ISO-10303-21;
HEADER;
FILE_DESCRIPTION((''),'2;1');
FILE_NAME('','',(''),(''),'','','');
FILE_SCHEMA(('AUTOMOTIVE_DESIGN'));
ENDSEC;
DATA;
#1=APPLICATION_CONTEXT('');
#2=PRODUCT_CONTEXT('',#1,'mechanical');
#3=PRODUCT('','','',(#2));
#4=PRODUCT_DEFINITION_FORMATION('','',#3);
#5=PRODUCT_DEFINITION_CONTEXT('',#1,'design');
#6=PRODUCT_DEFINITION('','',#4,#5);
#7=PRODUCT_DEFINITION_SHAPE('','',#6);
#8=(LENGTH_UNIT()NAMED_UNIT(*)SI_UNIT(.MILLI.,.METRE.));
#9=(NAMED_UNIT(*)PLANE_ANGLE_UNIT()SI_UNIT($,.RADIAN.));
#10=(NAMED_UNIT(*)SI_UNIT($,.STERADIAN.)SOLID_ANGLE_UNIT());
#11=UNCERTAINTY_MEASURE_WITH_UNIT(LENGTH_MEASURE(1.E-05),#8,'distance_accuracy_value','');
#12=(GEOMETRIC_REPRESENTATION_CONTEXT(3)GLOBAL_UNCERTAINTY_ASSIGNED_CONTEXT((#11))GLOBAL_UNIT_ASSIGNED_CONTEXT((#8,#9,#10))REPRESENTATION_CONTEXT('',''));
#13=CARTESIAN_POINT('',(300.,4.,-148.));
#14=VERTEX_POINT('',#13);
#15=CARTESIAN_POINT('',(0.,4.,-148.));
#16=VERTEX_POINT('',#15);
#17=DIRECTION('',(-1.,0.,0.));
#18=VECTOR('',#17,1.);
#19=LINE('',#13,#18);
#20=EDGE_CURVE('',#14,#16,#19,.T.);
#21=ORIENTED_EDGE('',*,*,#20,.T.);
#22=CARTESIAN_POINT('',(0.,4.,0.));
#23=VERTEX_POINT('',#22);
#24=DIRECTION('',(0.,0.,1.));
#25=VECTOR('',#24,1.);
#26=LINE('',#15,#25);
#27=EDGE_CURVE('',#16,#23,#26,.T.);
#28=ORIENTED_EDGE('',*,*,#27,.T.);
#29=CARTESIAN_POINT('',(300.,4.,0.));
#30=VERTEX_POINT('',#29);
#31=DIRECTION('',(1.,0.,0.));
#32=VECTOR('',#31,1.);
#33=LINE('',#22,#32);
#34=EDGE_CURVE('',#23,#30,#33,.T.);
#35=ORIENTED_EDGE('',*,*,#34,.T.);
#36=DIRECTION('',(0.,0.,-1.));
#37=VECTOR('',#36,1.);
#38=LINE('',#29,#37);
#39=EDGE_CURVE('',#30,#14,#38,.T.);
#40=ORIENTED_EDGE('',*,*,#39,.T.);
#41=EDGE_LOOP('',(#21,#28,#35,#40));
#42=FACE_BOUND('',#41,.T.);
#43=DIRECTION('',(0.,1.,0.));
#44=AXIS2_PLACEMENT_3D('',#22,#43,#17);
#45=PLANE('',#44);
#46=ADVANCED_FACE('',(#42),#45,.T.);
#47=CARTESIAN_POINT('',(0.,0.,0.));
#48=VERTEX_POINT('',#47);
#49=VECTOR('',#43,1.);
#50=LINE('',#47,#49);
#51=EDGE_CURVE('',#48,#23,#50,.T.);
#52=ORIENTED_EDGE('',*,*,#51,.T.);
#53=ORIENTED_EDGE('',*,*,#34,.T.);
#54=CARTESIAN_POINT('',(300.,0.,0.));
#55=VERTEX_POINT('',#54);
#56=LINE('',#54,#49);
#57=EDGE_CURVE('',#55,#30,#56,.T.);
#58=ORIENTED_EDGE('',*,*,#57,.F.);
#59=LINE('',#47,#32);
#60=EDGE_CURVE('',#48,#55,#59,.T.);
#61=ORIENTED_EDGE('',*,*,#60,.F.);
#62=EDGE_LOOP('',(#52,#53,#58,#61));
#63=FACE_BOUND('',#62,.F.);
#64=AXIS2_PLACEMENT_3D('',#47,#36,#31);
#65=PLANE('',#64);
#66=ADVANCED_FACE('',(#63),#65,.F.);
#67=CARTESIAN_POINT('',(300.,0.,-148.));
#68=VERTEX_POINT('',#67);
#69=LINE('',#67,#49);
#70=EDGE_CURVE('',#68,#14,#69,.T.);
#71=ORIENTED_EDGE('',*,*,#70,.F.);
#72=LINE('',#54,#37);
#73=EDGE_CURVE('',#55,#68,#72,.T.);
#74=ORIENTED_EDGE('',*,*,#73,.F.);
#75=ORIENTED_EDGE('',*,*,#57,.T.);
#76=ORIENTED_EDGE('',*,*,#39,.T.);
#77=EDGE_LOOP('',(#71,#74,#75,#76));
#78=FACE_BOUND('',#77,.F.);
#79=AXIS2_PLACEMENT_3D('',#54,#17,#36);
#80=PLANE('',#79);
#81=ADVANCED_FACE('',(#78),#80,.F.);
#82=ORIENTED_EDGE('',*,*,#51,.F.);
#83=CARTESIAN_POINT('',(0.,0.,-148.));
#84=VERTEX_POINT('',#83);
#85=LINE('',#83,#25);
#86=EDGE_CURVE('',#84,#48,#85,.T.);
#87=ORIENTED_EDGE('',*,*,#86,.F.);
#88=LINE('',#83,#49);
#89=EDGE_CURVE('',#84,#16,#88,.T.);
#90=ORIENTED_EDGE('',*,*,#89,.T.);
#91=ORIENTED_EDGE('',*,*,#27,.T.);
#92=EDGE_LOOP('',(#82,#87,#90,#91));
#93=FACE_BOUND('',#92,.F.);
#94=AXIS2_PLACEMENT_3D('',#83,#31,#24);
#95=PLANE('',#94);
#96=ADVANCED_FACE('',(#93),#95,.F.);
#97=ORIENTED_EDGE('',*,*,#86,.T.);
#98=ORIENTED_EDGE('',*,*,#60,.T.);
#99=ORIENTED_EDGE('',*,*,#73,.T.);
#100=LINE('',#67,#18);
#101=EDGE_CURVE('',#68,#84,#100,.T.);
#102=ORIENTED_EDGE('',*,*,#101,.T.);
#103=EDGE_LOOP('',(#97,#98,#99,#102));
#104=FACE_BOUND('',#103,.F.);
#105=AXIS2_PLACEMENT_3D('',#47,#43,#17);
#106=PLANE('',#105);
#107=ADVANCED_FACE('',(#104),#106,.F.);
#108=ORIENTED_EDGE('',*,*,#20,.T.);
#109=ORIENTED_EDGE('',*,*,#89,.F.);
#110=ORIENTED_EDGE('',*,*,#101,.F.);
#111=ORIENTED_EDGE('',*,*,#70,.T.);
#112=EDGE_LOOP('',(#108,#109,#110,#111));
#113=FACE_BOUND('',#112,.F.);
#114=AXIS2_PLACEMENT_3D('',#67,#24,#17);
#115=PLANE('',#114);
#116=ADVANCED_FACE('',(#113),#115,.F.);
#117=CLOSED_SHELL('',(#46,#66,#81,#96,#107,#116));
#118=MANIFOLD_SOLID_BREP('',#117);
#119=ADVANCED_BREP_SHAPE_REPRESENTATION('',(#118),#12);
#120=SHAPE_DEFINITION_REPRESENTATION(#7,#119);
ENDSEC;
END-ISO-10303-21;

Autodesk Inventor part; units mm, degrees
ref_plane "YZ Plane" through (0, 0, 0) normal (1, 0, 0) x (0, 1, 0)
ref_plane "XZ Plane" through (0, 0, 0) normal (0, 1, 0) x (-1, 0, 0)
ref_plane "XY Plane" through (0, 0, 0) normal (0, 0, 1) x (1, 0, 0)
sketch "Sketch1" plane through (0, 0, 0) normal (0, 1, 0) x (-1, 0, 0)
  line L0 (0, 0) -> (-300, 0)
  line L1 (-300, 0) -> (-300, -148)
  line L2 (-300, -148) -> (0, -148)
  line L3 (0, -148) -> (0, 0)
  dimension "d0" = 300
  dimension "d1" = 148
extrude "Extrusion1" add sketch "Sketch1" along normal blind 4
properties part number "BaseRectangle" material "ABS Plastic"
